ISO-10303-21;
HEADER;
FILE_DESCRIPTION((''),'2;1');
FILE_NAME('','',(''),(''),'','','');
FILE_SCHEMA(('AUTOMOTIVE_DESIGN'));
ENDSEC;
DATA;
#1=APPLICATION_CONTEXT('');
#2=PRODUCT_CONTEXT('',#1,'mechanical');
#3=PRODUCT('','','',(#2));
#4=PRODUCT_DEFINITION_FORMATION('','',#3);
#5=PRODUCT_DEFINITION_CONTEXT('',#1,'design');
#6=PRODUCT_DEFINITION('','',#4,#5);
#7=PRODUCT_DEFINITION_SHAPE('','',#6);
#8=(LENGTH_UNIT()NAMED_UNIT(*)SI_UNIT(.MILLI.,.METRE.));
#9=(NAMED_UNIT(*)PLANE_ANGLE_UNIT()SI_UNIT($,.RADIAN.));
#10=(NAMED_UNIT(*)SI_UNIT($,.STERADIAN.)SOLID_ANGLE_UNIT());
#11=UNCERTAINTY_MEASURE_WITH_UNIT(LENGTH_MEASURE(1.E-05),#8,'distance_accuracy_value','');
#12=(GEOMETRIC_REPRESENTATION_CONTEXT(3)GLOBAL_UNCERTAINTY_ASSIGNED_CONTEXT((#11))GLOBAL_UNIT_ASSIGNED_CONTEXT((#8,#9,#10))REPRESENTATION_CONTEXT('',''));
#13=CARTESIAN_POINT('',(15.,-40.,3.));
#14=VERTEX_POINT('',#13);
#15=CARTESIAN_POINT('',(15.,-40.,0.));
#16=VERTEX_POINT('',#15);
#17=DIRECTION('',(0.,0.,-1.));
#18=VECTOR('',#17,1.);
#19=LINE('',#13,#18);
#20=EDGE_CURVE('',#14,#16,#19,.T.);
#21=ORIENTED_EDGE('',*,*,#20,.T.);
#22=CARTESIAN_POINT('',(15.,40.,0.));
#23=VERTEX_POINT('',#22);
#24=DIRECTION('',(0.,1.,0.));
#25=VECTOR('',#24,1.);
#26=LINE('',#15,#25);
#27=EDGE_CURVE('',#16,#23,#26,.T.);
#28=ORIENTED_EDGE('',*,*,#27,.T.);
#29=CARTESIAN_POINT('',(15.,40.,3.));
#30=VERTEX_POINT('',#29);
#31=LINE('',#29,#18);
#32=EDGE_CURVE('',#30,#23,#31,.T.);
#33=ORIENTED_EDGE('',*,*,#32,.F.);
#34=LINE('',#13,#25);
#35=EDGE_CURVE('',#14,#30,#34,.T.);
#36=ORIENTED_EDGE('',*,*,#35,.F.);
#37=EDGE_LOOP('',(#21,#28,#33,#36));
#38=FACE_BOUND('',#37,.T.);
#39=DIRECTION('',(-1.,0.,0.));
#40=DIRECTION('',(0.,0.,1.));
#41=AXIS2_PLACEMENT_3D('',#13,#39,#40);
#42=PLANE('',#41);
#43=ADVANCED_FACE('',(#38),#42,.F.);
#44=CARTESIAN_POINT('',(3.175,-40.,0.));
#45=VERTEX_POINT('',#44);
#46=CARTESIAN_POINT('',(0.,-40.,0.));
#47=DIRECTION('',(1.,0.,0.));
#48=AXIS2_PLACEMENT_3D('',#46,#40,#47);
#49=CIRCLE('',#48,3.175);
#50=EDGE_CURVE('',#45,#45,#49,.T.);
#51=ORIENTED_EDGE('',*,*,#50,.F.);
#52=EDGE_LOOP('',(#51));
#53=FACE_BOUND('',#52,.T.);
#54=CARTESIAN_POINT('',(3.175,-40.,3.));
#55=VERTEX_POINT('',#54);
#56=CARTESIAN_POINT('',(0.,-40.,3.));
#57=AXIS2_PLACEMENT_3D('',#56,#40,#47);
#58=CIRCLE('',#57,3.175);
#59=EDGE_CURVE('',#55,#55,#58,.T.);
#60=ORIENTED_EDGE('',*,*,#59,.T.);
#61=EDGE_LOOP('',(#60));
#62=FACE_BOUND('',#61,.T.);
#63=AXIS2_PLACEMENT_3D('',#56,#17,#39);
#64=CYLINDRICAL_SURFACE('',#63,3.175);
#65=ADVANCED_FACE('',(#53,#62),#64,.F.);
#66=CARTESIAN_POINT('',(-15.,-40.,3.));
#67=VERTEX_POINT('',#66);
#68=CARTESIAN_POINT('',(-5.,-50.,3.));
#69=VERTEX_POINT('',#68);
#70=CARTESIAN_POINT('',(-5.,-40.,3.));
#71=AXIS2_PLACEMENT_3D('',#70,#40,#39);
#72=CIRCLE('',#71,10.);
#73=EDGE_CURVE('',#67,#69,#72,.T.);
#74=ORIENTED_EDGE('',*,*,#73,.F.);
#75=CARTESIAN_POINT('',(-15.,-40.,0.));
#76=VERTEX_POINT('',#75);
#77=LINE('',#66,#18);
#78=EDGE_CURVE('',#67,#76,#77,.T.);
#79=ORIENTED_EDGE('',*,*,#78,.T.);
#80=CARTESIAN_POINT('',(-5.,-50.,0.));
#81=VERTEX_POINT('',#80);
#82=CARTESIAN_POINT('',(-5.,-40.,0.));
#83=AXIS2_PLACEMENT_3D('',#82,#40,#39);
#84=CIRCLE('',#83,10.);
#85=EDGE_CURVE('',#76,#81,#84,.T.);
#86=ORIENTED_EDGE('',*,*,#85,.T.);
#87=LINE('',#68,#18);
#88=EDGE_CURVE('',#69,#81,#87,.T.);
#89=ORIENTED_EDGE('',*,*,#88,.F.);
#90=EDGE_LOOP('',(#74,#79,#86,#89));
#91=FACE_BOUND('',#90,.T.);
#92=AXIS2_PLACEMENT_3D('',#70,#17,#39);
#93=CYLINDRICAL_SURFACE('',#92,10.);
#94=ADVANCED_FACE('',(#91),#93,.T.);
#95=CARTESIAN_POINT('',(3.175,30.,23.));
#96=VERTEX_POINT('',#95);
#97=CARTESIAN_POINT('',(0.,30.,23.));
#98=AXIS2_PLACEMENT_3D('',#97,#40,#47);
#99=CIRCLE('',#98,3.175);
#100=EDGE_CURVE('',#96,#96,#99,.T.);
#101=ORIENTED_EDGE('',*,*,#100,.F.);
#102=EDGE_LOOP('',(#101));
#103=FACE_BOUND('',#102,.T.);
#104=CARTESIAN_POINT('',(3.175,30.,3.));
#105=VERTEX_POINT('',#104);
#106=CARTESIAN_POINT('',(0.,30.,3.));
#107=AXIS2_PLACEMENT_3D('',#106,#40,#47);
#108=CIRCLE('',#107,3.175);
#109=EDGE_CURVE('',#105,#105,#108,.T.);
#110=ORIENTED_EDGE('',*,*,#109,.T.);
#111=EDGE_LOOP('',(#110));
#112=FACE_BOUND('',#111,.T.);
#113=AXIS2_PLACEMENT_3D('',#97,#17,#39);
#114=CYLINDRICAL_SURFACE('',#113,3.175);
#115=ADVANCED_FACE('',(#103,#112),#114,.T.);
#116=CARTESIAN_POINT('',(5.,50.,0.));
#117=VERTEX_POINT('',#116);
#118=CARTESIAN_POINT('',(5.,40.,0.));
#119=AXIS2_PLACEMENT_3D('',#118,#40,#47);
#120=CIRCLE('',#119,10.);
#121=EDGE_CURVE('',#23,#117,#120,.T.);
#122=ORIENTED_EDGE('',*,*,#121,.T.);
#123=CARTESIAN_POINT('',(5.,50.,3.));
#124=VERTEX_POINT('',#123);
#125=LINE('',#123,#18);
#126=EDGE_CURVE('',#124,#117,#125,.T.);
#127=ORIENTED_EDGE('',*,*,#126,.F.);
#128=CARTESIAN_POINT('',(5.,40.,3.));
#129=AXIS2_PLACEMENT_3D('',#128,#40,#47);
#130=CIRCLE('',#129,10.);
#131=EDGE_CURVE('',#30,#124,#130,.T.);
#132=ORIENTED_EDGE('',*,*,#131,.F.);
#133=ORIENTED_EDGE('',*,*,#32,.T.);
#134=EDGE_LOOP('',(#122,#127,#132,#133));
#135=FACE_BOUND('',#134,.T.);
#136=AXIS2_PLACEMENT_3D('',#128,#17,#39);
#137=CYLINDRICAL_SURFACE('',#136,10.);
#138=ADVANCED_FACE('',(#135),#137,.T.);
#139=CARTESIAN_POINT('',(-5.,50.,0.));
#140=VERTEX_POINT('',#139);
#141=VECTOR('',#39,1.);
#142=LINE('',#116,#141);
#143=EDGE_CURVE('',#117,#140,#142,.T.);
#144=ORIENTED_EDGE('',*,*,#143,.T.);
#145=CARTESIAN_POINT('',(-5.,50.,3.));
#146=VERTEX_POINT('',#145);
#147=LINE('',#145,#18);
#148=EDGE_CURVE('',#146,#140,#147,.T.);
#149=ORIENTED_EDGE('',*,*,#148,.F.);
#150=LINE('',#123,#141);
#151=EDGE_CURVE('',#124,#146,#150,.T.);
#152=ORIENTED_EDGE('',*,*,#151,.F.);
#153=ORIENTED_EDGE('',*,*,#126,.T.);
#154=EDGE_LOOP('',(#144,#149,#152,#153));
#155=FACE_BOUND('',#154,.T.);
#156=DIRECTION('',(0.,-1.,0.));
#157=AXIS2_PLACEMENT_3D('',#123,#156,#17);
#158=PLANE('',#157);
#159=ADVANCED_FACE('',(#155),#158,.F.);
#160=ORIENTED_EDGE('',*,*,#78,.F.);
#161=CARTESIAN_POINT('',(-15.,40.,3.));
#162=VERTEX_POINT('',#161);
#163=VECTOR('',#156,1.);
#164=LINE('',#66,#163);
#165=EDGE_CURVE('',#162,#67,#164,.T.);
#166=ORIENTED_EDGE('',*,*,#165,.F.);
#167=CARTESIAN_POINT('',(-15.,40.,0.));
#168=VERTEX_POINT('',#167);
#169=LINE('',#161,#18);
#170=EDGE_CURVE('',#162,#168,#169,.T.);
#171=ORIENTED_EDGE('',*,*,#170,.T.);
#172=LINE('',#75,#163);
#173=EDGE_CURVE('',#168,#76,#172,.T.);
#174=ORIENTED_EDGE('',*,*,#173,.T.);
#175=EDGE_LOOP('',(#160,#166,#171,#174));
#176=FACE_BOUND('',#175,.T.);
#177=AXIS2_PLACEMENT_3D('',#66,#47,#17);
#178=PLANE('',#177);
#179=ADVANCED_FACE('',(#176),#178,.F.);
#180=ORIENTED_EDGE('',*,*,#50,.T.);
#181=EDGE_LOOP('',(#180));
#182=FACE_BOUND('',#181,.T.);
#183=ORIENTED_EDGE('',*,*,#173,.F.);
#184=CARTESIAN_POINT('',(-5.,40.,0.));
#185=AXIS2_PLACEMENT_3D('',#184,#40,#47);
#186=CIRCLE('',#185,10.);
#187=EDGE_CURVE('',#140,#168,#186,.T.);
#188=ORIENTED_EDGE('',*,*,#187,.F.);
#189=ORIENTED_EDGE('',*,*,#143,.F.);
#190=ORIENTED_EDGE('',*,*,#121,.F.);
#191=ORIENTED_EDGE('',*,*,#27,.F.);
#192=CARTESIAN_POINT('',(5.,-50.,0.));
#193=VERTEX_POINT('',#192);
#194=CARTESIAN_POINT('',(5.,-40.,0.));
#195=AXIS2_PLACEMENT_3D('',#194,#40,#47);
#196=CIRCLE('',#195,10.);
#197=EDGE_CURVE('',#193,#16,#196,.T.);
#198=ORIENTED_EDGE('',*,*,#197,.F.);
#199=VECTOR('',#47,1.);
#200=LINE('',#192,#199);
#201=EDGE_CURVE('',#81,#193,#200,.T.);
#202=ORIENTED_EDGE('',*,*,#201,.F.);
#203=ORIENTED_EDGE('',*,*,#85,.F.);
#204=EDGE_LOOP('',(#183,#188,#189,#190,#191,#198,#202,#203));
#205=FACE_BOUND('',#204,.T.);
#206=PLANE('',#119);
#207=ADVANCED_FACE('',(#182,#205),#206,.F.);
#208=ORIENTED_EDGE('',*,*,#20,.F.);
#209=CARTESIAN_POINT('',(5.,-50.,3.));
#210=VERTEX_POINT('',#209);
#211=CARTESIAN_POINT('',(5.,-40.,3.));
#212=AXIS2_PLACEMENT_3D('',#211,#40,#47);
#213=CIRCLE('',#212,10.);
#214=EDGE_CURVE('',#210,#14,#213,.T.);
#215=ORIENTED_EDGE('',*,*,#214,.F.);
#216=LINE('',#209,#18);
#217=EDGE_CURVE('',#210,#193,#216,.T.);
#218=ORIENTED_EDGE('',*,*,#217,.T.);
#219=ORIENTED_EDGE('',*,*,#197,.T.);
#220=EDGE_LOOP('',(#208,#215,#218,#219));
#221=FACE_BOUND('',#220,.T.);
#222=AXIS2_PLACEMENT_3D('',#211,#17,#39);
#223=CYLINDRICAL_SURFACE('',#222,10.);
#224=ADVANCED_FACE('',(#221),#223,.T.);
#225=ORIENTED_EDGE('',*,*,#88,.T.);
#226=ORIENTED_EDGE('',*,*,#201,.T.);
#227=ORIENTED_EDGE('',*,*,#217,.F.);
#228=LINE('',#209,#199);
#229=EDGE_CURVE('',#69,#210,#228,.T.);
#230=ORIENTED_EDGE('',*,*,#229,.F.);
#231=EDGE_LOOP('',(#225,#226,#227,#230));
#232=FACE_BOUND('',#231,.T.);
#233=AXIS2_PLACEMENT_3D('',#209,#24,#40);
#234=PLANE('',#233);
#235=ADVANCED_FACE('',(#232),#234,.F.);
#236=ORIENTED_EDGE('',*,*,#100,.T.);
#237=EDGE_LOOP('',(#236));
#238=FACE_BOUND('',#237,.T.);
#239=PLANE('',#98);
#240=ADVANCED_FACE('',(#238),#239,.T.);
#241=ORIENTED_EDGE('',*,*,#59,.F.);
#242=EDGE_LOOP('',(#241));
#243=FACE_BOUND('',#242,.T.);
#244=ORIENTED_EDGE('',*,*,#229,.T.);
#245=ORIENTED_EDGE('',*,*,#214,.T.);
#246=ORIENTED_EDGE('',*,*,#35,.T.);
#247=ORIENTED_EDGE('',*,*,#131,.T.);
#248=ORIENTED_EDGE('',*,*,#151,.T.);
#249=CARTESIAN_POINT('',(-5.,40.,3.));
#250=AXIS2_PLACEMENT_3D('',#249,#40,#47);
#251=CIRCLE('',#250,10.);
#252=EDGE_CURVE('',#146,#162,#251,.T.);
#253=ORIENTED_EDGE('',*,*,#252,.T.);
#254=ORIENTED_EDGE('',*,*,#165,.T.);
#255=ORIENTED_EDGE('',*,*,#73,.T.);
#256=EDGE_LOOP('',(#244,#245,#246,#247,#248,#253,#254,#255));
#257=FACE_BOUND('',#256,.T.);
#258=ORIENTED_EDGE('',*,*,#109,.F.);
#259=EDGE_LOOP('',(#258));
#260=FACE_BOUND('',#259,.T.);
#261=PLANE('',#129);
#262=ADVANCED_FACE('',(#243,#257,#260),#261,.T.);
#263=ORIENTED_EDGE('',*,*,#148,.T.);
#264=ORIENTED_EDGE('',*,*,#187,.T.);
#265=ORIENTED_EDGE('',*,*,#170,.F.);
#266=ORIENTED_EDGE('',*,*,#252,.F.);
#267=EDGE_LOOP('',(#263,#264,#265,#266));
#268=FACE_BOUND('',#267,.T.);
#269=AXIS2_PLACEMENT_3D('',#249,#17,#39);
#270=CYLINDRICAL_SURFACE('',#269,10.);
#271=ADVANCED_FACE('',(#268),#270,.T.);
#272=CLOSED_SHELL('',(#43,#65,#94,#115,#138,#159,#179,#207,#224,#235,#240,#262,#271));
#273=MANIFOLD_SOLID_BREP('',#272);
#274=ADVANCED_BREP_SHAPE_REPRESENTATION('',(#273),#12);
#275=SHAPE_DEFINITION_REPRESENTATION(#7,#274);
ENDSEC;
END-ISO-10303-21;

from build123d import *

# Parameters (mm, degrees)
CROQUIS1_R              = 3.175
SALIENTE_EXTRUIR1_DEPTH = 3
CROQUIS2_R              = 3.175
SALIENTE_EXTRUIR2_DEPTH = 20


with BuildPart() as part:
    # Croquis1 → Saliente-Extruir1 (new body)
    with BuildSketch(Plane.XY):
        with BuildLine():
            Line((5, -50), (-5, -50))
            ThreePointArc((-5, -50), (-12.071067812, -47.071067812), (-15, -40))
            Line((-15, -40), (-15, 40))
            ThreePointArc((-15, 40), (-12.071067812, 47.071067812), (-5, 50))
            Line((-5, 50), (5, 50))
            ThreePointArc((5, 50), (12.071067812, 47.071067812), (15, 40))
            Line((15, 40), (15, -40))
            ThreePointArc((15, -40), (12.071067812, -47.071067812), (5, -50))
        make_face()
        with Locations((0, -40)):
            Circle(CROQUIS1_R, mode=Mode.SUBTRACT)
    extrude(amount=SALIENTE_EXTRUIR1_DEPTH)

    # Croquis2 → Saliente-Extruir2 (add)
    with BuildSketch(Plane.XY.offset(3)):
        with Locations((0, 30)):
            Circle(CROQUIS2_R)
    extrude(amount=SALIENTE_EXTRUIR2_DEPTH)


solid = part.part
